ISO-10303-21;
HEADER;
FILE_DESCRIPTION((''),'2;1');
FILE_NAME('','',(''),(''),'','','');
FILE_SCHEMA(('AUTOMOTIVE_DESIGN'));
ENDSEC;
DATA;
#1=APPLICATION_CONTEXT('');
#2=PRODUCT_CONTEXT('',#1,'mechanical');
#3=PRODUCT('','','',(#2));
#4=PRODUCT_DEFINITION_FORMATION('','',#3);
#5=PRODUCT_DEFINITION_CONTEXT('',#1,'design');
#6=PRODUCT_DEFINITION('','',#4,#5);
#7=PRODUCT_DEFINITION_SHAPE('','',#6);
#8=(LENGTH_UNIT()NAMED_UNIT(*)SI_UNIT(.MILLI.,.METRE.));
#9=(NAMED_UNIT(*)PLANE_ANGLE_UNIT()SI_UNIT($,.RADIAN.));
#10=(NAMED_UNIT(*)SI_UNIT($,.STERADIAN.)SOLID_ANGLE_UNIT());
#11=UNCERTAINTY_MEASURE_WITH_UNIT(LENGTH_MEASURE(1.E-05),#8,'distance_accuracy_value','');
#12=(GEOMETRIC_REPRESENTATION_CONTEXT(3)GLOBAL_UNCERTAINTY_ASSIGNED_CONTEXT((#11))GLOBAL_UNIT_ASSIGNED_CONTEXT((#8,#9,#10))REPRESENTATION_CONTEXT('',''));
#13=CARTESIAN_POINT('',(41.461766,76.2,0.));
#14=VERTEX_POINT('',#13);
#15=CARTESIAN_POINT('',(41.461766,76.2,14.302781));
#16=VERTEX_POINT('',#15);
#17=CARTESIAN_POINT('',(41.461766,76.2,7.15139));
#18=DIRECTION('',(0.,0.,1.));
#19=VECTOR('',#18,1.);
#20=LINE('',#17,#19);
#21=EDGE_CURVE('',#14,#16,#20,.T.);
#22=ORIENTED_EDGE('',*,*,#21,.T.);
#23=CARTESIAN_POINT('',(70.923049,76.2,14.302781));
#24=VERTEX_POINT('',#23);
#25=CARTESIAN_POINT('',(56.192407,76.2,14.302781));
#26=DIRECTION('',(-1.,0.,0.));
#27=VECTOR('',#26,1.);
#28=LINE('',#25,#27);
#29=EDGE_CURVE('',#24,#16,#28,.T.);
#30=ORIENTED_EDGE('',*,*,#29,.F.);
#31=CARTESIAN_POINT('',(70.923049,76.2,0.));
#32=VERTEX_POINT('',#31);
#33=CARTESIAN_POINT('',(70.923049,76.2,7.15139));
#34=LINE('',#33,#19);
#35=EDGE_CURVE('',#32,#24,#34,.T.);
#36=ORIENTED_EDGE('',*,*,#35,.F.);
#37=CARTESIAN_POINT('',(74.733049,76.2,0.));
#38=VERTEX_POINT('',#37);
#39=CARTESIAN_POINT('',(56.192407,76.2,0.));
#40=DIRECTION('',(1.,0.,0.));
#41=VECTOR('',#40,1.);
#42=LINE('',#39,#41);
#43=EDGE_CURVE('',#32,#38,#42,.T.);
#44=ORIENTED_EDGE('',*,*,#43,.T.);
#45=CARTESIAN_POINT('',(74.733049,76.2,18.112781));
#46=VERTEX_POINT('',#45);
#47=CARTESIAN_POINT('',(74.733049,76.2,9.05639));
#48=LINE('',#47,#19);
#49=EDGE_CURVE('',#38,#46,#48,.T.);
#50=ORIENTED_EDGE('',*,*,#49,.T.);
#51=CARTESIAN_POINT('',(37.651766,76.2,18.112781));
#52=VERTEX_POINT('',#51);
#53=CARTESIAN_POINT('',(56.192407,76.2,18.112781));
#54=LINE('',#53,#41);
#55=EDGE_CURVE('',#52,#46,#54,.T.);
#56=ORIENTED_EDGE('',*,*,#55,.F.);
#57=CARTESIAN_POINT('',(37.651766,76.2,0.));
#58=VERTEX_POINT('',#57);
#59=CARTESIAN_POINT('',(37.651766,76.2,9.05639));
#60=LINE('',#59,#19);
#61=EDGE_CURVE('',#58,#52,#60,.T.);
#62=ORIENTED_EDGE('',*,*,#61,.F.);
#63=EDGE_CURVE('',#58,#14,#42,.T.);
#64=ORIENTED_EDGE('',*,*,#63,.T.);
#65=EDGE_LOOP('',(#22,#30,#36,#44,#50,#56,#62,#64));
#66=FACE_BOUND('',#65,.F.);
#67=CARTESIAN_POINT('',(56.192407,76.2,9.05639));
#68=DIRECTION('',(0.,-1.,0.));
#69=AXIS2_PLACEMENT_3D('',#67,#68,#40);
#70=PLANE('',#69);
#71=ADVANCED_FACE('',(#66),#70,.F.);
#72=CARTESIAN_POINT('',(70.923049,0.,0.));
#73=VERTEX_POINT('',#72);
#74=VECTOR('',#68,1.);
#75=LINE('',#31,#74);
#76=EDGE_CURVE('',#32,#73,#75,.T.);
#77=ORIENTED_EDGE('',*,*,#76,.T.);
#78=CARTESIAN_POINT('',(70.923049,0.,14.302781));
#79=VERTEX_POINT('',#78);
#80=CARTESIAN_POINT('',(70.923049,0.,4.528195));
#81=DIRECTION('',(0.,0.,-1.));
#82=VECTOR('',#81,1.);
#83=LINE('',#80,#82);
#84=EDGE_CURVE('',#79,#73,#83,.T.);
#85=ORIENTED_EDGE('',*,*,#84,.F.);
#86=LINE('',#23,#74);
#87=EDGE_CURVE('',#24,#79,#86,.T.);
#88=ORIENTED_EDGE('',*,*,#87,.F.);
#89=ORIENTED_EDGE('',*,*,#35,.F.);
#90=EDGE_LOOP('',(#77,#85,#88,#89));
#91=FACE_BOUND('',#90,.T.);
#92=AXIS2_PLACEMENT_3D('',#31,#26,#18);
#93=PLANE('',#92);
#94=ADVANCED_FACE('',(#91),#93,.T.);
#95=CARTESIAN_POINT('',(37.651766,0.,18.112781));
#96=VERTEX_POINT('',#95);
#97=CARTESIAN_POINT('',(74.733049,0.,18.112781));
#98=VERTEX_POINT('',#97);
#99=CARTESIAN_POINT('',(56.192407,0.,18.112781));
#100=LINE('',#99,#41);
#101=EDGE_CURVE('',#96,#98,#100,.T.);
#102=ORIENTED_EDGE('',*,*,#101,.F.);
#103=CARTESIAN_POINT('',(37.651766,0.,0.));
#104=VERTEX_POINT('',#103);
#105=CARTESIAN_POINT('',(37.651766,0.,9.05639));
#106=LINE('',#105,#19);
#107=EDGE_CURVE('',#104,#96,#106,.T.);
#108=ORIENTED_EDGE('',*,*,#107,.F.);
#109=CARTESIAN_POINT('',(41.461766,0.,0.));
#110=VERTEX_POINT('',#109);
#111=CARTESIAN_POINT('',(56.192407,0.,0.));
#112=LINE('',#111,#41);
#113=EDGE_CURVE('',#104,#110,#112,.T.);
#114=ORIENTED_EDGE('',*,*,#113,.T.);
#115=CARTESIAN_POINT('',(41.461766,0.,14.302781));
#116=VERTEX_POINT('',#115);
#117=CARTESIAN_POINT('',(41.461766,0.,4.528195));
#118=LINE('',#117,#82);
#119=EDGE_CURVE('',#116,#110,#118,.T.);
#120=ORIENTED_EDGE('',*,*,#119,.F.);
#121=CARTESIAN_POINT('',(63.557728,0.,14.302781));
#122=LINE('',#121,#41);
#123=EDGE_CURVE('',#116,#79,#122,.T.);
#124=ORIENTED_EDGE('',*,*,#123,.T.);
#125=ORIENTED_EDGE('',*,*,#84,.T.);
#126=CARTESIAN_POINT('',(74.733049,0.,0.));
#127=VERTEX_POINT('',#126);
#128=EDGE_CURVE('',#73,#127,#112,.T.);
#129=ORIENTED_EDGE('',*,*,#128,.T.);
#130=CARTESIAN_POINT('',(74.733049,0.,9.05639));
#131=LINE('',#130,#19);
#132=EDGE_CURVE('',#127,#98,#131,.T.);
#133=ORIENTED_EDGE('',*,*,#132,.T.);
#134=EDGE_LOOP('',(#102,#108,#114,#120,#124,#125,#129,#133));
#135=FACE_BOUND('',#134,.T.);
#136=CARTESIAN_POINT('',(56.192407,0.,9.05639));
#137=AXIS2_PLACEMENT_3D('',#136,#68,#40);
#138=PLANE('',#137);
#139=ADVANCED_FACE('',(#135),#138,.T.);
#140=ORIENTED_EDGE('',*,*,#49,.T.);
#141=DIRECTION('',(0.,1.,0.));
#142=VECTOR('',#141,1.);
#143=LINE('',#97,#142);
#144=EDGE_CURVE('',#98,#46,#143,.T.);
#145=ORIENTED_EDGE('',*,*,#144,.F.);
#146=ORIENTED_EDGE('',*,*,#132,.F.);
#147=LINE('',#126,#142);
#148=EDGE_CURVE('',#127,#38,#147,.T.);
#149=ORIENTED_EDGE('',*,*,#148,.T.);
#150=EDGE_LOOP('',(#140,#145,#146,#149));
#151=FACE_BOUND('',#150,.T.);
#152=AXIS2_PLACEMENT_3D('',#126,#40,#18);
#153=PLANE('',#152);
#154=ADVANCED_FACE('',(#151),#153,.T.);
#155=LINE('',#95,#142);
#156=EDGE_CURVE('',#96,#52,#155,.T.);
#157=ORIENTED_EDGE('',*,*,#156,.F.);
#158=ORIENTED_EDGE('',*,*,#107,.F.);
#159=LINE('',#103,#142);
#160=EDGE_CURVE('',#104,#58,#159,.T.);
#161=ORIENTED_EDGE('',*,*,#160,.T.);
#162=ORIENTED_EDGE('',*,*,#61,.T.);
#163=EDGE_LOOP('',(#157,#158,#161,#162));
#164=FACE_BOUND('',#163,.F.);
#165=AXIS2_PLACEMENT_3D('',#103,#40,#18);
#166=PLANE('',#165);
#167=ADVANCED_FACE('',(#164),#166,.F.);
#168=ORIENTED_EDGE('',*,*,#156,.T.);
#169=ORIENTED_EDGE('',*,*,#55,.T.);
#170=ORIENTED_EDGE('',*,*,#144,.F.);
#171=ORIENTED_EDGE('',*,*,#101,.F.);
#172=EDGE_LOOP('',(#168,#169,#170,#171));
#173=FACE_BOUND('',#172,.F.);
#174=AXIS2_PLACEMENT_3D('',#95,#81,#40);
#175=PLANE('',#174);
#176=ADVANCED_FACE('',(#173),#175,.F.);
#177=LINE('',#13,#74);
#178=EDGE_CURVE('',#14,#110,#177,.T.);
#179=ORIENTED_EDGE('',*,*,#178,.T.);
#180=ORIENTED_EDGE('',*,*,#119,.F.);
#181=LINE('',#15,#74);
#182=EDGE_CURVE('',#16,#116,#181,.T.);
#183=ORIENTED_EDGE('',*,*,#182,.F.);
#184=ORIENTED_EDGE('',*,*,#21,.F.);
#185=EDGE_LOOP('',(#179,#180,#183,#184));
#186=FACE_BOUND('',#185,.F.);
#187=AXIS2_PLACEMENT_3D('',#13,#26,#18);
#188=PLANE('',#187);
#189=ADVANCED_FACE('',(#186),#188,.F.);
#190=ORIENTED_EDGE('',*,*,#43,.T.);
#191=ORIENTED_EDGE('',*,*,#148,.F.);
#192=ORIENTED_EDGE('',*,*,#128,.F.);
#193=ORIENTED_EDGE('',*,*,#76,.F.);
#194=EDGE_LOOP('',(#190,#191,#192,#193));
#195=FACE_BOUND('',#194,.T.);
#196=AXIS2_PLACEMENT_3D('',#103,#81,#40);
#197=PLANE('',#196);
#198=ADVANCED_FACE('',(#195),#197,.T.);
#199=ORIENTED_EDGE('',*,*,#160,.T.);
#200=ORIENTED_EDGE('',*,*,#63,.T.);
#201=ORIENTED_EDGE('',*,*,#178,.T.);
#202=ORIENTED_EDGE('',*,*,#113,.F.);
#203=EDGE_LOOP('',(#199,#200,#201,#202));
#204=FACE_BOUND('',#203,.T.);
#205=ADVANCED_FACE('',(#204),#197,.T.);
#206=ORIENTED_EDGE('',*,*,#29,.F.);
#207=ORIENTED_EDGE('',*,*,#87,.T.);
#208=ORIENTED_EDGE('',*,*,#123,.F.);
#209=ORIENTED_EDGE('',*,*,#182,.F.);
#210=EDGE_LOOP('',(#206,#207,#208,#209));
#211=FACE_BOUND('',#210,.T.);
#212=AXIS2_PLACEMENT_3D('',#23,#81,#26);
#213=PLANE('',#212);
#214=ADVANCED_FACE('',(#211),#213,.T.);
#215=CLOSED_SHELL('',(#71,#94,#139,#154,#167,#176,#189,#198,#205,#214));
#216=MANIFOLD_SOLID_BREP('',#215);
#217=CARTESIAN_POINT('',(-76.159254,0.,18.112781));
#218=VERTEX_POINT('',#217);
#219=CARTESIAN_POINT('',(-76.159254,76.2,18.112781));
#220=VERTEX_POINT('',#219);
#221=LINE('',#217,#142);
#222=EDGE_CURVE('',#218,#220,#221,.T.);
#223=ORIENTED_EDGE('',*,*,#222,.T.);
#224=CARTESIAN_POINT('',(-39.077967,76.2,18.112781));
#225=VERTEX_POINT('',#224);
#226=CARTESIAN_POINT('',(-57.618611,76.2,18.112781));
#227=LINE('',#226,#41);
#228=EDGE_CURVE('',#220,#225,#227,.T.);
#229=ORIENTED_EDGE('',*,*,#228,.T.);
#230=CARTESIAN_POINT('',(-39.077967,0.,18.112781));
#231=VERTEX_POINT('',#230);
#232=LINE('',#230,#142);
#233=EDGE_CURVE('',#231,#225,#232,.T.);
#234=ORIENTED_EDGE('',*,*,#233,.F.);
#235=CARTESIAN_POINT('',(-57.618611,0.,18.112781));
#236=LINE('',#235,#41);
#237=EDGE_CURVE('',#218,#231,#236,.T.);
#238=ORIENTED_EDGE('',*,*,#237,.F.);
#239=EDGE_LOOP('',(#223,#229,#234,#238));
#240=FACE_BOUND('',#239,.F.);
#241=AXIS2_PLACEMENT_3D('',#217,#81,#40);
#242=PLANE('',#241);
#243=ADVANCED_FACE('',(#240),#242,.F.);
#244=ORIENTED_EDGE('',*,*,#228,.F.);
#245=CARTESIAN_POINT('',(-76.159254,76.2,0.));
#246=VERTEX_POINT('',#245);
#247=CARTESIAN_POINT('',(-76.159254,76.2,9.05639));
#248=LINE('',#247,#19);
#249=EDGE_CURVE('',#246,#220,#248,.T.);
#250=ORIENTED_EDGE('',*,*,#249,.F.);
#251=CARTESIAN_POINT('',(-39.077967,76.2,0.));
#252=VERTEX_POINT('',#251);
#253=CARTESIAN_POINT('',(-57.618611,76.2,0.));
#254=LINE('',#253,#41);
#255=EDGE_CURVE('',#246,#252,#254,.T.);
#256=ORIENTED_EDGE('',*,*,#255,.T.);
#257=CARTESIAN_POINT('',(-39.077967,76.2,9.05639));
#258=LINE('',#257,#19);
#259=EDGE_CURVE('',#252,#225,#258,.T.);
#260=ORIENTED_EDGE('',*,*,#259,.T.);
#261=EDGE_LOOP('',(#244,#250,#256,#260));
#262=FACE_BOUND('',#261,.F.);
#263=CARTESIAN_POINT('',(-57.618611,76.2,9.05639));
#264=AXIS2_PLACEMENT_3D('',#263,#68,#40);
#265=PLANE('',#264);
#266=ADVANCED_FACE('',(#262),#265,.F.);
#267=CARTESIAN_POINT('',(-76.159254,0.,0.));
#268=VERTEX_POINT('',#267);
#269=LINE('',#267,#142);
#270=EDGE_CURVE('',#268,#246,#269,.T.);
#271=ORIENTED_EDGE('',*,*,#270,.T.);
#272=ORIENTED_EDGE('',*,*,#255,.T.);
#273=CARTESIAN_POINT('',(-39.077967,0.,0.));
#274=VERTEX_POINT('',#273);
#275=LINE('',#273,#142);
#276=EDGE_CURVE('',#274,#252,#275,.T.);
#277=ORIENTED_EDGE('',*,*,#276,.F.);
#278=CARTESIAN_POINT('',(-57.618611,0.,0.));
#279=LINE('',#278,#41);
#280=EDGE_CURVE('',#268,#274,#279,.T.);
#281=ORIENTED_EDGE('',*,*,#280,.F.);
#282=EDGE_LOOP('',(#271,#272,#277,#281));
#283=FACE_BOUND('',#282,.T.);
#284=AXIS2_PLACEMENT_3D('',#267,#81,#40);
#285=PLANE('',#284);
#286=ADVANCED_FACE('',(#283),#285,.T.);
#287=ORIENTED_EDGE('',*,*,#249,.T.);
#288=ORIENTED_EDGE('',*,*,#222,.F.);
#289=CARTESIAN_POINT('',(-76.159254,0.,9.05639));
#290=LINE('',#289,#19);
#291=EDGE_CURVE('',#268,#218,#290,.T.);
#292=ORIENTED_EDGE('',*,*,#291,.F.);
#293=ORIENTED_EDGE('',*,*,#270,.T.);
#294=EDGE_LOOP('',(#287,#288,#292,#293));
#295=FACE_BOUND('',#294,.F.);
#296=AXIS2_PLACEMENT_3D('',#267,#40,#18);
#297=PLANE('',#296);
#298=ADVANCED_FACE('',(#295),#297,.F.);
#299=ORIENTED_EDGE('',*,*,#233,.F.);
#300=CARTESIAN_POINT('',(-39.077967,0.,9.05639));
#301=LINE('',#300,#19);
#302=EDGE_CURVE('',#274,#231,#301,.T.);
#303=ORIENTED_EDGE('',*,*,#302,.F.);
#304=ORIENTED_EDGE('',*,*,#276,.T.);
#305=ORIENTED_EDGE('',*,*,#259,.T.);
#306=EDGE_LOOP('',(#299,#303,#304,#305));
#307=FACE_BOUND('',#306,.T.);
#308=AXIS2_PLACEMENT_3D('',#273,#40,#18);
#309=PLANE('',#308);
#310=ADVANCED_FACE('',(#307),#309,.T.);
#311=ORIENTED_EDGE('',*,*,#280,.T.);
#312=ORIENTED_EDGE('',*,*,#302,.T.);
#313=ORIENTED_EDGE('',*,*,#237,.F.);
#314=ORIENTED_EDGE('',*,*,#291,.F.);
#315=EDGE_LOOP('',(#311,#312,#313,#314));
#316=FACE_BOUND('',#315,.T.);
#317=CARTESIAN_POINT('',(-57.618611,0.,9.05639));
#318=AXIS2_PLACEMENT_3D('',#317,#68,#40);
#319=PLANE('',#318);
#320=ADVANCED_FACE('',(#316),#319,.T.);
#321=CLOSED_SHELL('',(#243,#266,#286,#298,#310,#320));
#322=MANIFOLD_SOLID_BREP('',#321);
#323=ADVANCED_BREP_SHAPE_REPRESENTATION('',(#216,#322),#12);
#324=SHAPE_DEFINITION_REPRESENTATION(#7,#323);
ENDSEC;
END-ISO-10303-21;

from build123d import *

# Parameters (mm, degrees)
F0_W     = 37.0812825859
F0_H     = 18.1127805263
F1_DEPTH = 76.2
F0_W_2   = 37.0812863111
F2_DEPTH = 76.2
F3_W     = 29.4612825859
F3_H     = 14.3027805263
F4_DEPTH = 152.4


with BuildPart() as f1:
    # F0 (on Front) → F1 (new body)
    with BuildSketch(Plane.XZ):
        with Locations((56.1924073845, 9.0563902631)):
            Rectangle(F0_W, F0_H)
    extrude(amount=F1_DEPTH)


with BuildPart() as f1b:
    # F0 (on Front) → F1, piece 2 (new body)
    with BuildSketch(Plane.XZ):
        with Locations((-57.6186105609, 9.0563902631)):
            Rectangle(F0_W_2, F0_H)
    extrude(amount=F1_DEPTH)


with BuildPart() as f2:
    # F0 (on Front) → F2 (new body)
    with BuildSketch(Plane.XZ):
        with Locations((56.1924073845, 9.0563902631)):
            Rectangle(F0_W, F0_H)
    extrude(amount=-F2_DEPTH)


with BuildPart() as f2b:
    # F0 (on Front) → F2, piece 2 (new body)
    with BuildSketch(Plane.XZ):
        with Locations((-57.6186105609, 9.0563902631)):
            Rectangle(F0_W_2, F0_H)
    extrude(amount=-F2_DEPTH)


with BuildPart() as f4_tool:
    # F3 (on face) + F0 (on Front) → F4 (new body)
    with BuildSketch(Plane(origin=(0, 76.2, 0), x_dir=(-1, 0, 0), z_dir=(0, 1, 0))):
        with Locations((-56.1924073845, 7.1513902631)):
            Rectangle(F3_W, F3_H)
    with BuildSketch(Plane.XZ):
        with Locations((-57.6186105609, 9.0563902631)):
            Rectangle(F0_W_2, F0_H)
        with Locations((56.1924073845, 9.0563902631)):
            Rectangle(F0_W, F0_H)
    extrude(amount=-F4_DEPTH, dir=(0, 1, 0))


with BuildPart() as f1_1:
    add(f1.part)

    # F4: cut by f4_tool
    add(f4_tool.part, mode=Mode.SUBTRACT)


with BuildPart() as f1b_1:
    add(f1b.part)

    # F4: cut by f4_tool
    add(f4_tool.part, mode=Mode.SUBTRACT)


with BuildPart() as f2_1:
    add(f2.part)

    # F4: cut by f4_tool
    add(f4_tool.part, mode=Mode.SUBTRACT)


solid = Compound([f2b.part, f2_1.part])
